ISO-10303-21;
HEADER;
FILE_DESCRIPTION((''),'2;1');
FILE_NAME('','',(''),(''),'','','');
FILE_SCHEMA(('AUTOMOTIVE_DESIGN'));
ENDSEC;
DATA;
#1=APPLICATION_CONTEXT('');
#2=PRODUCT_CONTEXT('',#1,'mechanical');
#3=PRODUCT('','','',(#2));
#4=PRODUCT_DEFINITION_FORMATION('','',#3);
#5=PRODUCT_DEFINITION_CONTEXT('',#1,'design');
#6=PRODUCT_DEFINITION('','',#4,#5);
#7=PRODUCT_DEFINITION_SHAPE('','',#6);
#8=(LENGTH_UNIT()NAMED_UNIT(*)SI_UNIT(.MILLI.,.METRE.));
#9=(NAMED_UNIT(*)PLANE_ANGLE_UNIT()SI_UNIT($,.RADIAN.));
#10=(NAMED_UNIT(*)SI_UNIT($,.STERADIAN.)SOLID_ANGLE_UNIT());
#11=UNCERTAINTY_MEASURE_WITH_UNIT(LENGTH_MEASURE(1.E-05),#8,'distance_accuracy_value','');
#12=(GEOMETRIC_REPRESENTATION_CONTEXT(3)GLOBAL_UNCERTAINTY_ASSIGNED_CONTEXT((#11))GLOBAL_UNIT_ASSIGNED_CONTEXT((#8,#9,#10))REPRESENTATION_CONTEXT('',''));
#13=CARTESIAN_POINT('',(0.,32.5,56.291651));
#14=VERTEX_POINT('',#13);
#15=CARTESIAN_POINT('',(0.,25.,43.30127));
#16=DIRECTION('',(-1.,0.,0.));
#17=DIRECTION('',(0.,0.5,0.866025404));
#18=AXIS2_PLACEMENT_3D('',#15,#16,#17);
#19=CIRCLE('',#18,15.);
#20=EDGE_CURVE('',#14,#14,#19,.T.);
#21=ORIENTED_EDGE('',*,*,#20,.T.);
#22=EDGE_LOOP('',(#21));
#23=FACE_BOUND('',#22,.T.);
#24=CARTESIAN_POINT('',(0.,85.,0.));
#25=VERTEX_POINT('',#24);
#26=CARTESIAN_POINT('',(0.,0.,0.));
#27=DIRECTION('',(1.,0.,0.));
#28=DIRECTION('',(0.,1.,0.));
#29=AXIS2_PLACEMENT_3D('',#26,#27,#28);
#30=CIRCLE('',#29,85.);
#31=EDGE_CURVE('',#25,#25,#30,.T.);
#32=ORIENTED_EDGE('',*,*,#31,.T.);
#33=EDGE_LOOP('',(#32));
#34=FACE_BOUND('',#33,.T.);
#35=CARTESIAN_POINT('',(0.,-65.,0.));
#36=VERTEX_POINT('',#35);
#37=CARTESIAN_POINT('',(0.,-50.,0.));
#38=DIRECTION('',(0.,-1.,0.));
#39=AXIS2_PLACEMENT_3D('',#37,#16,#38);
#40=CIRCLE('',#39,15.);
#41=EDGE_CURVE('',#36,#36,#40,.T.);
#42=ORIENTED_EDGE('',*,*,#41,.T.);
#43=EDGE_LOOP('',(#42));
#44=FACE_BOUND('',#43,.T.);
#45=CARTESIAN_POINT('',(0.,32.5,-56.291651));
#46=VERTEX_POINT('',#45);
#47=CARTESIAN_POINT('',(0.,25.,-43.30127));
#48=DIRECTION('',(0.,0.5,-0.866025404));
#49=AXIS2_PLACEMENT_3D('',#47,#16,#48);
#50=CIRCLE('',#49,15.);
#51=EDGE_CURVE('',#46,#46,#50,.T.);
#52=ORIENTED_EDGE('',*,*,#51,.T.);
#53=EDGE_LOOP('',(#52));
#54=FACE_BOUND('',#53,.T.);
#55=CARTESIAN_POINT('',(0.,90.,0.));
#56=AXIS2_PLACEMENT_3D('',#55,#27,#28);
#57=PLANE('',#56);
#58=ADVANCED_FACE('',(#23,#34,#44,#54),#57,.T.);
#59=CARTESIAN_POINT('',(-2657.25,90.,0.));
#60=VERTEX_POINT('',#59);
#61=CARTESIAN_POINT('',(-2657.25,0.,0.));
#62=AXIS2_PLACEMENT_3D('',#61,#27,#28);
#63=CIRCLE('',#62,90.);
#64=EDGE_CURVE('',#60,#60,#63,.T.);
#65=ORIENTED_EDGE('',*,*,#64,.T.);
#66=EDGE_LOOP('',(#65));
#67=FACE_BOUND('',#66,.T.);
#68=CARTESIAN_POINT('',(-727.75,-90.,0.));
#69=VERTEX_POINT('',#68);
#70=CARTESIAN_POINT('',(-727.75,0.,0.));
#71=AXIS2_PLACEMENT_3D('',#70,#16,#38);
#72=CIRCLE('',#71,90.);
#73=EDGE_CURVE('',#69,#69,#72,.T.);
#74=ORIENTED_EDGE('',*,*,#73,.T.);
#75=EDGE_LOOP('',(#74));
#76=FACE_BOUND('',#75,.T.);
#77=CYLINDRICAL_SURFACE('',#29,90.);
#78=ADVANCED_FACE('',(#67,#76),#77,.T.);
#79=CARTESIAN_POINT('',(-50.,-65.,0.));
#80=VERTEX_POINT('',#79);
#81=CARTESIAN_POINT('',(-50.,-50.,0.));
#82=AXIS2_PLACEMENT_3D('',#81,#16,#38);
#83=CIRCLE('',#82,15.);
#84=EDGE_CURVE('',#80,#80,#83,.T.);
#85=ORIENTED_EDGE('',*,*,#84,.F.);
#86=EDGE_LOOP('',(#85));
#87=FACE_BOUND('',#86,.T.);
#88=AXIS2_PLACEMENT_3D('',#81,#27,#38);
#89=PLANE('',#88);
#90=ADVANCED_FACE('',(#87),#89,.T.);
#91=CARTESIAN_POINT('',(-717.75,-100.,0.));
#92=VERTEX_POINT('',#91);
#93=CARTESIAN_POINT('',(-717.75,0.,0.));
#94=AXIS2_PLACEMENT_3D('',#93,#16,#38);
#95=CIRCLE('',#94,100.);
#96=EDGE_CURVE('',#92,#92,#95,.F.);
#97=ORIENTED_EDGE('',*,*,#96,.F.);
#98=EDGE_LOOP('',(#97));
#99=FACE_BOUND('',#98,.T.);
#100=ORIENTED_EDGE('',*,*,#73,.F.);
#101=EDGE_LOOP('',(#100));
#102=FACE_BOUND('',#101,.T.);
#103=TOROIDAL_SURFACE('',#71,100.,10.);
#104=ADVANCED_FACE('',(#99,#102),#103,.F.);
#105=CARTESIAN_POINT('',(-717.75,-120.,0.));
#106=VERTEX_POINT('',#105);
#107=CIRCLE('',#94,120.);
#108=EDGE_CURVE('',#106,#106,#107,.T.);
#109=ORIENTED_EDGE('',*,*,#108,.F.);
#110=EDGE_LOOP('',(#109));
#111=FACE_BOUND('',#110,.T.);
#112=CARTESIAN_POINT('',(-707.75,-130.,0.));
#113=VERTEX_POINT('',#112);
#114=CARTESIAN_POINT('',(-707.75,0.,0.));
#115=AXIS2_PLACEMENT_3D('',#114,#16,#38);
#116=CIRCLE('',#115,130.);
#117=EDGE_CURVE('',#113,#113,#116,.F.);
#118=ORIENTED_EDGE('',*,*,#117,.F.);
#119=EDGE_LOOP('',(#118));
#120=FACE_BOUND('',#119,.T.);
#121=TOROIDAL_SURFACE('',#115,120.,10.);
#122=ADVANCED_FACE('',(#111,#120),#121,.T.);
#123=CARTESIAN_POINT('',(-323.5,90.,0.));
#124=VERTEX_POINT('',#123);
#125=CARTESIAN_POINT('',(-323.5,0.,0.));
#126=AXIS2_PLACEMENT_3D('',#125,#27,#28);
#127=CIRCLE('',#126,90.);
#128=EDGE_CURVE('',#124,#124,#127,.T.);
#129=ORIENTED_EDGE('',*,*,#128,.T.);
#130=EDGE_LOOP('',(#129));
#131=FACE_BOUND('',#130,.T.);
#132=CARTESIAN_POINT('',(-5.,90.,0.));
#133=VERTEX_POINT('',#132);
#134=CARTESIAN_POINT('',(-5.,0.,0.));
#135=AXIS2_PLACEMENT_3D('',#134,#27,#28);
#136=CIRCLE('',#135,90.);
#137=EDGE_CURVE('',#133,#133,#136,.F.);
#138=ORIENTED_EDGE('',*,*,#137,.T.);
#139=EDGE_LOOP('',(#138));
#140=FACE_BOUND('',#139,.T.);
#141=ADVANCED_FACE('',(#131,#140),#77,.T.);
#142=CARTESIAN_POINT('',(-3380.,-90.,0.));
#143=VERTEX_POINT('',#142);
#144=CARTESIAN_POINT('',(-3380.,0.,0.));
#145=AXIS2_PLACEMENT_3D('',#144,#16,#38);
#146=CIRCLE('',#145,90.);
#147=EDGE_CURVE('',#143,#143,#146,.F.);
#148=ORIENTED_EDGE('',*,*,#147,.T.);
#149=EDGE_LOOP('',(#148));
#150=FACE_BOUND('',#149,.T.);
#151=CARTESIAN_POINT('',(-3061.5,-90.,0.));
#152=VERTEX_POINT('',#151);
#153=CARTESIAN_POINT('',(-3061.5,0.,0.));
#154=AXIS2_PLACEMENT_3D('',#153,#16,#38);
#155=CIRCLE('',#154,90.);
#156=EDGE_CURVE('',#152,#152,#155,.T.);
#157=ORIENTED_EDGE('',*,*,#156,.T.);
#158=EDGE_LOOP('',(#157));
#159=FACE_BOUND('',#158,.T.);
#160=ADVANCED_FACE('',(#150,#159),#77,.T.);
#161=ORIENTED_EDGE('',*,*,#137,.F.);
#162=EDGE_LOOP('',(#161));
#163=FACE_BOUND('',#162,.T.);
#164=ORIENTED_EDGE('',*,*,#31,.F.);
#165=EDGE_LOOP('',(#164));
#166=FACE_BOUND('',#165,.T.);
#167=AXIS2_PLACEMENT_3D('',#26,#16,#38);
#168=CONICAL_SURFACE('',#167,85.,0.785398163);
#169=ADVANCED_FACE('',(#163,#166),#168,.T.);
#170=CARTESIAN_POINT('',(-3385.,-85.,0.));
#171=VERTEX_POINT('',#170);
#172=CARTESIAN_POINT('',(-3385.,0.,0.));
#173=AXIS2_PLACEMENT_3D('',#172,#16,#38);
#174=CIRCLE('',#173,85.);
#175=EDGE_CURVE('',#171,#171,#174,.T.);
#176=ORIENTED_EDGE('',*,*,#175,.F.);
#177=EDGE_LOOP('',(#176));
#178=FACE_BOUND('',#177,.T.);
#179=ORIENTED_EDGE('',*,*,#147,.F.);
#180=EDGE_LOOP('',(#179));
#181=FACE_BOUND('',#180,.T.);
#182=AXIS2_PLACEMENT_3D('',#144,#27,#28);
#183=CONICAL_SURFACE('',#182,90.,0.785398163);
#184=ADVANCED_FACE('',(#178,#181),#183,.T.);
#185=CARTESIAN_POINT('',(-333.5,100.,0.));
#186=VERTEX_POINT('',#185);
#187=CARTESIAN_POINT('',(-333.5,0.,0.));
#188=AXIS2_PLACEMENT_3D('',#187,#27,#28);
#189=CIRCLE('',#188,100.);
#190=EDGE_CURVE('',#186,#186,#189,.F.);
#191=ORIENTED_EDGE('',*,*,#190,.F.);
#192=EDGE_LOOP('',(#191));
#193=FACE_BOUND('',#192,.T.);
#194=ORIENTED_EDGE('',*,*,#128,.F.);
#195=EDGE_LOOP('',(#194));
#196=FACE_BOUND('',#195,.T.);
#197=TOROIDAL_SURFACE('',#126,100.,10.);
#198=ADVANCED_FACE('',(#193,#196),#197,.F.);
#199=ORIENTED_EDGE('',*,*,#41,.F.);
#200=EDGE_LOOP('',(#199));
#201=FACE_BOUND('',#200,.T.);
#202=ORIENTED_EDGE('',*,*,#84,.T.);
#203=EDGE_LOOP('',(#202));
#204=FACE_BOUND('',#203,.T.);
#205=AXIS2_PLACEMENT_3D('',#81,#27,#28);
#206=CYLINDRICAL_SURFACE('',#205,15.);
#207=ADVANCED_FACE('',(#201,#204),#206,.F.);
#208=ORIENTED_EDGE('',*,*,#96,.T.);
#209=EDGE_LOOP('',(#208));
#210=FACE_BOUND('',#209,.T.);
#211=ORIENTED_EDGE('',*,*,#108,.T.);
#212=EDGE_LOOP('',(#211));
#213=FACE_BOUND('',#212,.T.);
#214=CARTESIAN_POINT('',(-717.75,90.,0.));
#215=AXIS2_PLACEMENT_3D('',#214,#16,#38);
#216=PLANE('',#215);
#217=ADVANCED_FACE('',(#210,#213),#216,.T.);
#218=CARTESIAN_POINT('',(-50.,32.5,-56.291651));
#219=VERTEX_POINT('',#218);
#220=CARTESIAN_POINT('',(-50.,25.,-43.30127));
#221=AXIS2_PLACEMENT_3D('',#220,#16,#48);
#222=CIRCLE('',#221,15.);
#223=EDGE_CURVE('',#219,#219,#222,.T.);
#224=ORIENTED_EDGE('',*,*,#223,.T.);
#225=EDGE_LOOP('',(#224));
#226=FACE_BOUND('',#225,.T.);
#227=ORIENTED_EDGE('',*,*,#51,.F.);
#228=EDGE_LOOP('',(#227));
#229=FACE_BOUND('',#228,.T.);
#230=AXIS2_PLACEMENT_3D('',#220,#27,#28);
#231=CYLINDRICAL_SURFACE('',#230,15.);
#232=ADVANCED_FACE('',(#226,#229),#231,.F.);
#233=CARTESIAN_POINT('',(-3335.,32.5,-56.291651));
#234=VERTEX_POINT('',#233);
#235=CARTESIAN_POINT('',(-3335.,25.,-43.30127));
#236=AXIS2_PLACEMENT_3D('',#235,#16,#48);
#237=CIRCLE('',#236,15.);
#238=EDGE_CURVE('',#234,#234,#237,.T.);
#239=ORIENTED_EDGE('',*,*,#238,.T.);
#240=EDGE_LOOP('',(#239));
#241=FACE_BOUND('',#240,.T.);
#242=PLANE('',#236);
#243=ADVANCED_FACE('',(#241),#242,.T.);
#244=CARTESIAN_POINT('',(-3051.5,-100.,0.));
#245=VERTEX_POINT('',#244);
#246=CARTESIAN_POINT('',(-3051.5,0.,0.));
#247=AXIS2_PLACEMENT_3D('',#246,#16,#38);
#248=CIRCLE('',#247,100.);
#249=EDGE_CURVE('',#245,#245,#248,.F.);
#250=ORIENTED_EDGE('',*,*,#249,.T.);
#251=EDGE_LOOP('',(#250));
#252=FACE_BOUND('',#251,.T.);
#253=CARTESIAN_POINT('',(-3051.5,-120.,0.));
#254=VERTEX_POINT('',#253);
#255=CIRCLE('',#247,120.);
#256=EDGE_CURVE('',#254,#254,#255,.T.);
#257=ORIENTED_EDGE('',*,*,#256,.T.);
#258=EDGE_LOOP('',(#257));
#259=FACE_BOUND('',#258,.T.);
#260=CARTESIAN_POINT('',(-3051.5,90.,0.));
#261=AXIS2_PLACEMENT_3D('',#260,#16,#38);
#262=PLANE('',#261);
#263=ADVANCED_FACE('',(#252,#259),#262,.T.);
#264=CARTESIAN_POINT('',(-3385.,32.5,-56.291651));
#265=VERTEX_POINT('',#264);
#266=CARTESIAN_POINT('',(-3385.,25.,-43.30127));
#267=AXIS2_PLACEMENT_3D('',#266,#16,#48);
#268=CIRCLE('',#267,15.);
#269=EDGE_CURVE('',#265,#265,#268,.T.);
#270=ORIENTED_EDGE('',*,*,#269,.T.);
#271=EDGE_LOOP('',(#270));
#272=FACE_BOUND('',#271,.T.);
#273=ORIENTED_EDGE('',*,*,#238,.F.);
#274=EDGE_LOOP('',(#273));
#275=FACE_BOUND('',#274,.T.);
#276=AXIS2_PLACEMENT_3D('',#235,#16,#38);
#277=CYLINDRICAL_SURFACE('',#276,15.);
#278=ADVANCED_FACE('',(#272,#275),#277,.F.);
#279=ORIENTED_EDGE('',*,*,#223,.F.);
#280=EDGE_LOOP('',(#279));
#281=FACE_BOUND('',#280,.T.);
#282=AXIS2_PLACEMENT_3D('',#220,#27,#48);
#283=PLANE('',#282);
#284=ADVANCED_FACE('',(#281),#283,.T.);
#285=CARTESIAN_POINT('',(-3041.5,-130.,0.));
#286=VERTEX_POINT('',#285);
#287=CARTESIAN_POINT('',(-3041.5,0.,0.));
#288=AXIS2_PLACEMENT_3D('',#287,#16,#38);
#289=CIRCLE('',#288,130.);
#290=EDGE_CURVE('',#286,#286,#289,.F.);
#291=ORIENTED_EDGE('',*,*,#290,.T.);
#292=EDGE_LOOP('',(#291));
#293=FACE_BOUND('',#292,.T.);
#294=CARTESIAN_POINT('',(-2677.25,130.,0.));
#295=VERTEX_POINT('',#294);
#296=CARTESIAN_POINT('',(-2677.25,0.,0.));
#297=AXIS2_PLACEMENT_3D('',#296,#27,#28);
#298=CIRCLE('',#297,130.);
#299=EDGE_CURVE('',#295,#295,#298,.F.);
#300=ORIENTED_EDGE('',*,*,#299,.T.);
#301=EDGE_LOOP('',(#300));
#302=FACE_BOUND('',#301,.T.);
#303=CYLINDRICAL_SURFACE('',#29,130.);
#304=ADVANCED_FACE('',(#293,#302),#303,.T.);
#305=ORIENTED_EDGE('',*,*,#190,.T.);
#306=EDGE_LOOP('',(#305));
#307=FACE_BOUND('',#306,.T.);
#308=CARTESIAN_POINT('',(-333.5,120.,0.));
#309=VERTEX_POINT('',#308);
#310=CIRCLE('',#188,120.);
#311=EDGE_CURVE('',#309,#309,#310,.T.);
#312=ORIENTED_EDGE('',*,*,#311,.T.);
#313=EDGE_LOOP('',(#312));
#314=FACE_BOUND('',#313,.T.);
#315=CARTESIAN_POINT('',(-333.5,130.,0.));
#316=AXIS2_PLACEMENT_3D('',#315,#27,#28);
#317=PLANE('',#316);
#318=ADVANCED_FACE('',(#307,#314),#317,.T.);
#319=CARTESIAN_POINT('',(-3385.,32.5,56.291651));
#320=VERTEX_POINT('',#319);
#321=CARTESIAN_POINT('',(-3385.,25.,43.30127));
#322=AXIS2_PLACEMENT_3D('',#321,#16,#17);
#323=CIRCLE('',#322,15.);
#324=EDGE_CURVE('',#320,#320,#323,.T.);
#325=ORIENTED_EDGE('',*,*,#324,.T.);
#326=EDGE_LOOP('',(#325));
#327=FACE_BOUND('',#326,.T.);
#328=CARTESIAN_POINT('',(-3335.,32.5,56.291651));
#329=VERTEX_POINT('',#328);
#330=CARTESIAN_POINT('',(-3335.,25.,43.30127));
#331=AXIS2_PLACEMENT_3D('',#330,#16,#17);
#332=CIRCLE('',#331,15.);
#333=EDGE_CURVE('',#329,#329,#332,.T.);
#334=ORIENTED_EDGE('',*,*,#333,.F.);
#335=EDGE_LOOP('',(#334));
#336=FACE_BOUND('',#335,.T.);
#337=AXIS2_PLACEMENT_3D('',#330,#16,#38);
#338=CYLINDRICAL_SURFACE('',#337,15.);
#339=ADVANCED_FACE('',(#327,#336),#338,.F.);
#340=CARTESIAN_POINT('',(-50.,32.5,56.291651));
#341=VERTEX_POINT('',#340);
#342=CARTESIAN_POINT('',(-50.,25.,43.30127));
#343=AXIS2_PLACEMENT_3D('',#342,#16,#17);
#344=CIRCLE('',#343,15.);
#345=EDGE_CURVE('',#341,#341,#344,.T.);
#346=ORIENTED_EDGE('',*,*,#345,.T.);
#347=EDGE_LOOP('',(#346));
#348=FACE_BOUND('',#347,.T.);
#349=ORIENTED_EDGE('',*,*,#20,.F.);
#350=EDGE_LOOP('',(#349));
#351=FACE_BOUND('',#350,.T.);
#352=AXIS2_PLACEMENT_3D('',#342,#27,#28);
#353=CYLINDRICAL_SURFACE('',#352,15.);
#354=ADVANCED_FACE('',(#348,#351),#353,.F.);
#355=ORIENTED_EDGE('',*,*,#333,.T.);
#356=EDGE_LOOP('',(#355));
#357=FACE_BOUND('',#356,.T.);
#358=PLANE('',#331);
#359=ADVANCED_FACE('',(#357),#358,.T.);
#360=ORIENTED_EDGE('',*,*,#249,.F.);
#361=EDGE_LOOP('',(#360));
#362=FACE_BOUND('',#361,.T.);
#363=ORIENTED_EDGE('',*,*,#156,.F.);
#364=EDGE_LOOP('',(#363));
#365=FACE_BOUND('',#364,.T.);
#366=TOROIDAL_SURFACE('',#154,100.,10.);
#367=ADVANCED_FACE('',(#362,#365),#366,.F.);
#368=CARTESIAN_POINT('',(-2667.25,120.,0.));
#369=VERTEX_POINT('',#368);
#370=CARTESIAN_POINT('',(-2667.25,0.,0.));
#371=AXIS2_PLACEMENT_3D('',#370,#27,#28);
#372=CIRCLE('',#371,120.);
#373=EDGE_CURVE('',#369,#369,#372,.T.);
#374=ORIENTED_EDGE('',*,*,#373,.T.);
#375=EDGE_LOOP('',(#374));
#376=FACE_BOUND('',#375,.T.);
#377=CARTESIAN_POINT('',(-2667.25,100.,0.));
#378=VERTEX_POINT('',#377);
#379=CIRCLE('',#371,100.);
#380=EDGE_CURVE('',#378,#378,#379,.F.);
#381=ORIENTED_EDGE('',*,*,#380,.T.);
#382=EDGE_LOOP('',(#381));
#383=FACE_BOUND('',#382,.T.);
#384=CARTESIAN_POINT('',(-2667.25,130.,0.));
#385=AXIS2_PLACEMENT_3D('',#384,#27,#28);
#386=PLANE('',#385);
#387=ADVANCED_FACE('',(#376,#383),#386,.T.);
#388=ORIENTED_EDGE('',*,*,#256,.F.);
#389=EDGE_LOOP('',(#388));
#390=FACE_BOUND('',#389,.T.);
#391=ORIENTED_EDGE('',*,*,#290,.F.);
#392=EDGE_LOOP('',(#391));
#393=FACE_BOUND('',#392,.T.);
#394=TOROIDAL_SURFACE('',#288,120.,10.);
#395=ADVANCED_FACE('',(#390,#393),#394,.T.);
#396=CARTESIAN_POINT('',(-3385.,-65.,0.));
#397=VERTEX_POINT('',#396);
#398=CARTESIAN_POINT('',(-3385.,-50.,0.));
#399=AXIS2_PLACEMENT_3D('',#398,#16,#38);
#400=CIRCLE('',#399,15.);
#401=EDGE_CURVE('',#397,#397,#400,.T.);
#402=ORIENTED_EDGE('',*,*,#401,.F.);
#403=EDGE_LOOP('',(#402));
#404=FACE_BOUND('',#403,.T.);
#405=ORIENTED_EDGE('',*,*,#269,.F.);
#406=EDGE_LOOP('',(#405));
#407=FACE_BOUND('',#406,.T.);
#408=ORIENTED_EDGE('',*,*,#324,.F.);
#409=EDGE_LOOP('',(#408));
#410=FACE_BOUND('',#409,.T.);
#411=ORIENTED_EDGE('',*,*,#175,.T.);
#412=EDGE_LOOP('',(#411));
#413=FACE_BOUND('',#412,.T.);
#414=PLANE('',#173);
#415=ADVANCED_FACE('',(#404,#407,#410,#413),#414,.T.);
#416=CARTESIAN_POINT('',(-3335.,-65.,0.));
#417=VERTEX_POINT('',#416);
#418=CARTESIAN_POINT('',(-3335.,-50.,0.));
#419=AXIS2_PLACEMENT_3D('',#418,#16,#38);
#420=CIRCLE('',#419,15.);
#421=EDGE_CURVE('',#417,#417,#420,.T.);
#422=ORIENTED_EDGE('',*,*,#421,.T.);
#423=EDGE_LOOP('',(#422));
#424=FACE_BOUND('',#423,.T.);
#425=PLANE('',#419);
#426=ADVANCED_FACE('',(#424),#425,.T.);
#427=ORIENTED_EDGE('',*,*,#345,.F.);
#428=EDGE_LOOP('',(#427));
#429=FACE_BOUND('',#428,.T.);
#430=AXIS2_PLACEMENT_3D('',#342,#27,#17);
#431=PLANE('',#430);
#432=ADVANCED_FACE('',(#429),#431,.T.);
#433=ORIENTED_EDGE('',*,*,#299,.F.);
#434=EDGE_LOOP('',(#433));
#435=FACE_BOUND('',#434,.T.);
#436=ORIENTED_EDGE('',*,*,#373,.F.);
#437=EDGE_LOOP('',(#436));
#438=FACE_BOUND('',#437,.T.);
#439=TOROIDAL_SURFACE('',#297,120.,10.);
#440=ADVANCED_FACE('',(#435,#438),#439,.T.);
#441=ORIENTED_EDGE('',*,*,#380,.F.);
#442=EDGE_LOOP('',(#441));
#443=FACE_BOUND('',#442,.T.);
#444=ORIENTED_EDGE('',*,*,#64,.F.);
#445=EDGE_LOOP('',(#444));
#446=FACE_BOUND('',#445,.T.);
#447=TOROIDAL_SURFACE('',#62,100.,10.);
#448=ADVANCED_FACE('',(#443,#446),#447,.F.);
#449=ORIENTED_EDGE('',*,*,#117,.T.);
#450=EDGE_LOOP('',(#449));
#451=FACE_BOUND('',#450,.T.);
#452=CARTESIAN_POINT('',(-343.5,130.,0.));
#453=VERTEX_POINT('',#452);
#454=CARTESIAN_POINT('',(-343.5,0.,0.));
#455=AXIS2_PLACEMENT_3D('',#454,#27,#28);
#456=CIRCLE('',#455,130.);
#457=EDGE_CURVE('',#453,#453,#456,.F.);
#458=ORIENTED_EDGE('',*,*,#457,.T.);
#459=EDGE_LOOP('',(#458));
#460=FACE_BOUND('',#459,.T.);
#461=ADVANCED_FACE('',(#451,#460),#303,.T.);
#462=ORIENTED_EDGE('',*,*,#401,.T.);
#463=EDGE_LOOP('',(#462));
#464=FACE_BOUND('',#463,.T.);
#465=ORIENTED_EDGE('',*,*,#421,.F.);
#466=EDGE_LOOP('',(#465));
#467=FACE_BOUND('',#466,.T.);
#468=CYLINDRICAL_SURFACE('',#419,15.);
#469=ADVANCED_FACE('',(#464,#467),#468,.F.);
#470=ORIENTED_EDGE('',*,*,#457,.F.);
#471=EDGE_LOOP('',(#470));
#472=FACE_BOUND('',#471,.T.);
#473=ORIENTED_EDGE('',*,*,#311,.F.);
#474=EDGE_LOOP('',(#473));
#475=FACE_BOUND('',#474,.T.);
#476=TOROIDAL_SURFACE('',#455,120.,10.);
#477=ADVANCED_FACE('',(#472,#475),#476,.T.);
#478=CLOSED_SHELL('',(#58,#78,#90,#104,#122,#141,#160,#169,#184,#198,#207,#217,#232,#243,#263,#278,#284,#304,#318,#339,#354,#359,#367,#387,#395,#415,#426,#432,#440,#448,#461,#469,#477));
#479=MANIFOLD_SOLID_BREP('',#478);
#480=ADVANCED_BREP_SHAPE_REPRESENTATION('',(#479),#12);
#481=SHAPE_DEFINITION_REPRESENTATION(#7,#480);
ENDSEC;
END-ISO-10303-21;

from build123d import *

# Parameters (mm, degrees)
SKETCH2_R               = 15
CUT_EXTRUDE1_DEPTH      = 50
CIRPATTERN1_COUNT       = 3
MIRROR1_COPY_1_SKETCH_R = 15
MIRROR1_COPY_1_DEPTH    = 50
MIRROR1_COPY_2_SKETCH_R = 15
MIRROR1_COPY_2_DEPTH    = 50
FILLET1_R               = 10
CHAMFER1_SIZE           = 5


with BuildPart() as part:
    # Sketch1 → Revolve1 (revolve)
    with BuildSketch(Plane.XY):
        Polygon((0, 0), (-3385, 0), (-3385, 90), (-3051.5, 90), (-3051.5, 130), (-2667.25, 130), (-2667.25, 90), (-717.75, 90), (-717.75, 130), (-333.5, 130), (-333.5, 90), (0, 90), align=None)
    revolve(axis=Axis((0, 0, 0), (-1, 0, 0)))

    # Sketch2 → Cut-Extrude1 (cut)
    with BuildSketch(Plane.ZY.offset(3385)):
        with Locations(Location((0, -50, 0), (0, 0, 270))):
            Circle(SKETCH2_R)
    cut_extrude1 = extrude(amount=-CUT_EXTRUDE1_DEPTH, mode=Mode.SUBTRACT)

    # CirPattern1: Cut-Extrude1 ×3 about axis
    cirpattern1_axis = Axis((0, 0, 0), (1, 0, 0))
    for i in range(1, CIRPATTERN1_COUNT):
        add(cut_extrude1.rotate(cirpattern1_axis, i * 360 / CIRPATTERN1_COUNT), mode=Mode.SUBTRACT)

    # Mirror1: Cut-Extrude1 across plane
    add(cut_extrude1.mirror(Plane.ZY.offset(1692.5)), mode=Mode.SUBTRACT)

    # Mirror1 copy 1 sketch → Mirror1 copy 1 (cut)
    with BuildSketch(Plane(origin=(0, 0, 0), x_dir=(0, -0.8660254037844387, -0.4999999999999998), z_dir=(1, 0, 0))):
        with Locations((0, 50)):
            Circle(MIRROR1_COPY_1_SKETCH_R)
    extrude(amount=-MIRROR1_COPY_1_DEPTH, mode=Mode.SUBTRACT)

    # Mirror1 copy 2 sketch → Mirror1 copy 2 (cut)
    with BuildSketch(Plane(origin=(0, 0, 0), x_dir=(0, 0.8660254037844384, -0.5000000000000004), z_dir=(1, 0, 0))):
        with Locations((0, 50)):
            Circle(MIRROR1_COPY_2_SKETCH_R)
    extrude(amount=-MIRROR1_COPY_2_DEPTH, mode=Mode.SUBTRACT)

    # Fillet1
    fillet1_edges = [part.edges().sort_by_distance(p)[0] for p in [
        (-717.75, -90, 0),
        (-2667.25, -90, 0),
        (-2667.25, -130, 0),
        (-3051.5, -130, 0),
        (-3051.5, -90, 0),
        (-333.5, -90, 0),
        (-333.5, -130, 0),
        (-717.75, -130, 0),
    ]]
    fillet(fillet1_edges, radius=FILLET1_R)

    # Chamfer1
    chamfer1_edges = [part.edges().sort_by_distance(p)[0] for p in [
        (-3385, -90, 0),
        (0, -90, 0),
    ]]
    chamfer(chamfer1_edges, length=CHAMFER1_SIZE)


solid = part.part
